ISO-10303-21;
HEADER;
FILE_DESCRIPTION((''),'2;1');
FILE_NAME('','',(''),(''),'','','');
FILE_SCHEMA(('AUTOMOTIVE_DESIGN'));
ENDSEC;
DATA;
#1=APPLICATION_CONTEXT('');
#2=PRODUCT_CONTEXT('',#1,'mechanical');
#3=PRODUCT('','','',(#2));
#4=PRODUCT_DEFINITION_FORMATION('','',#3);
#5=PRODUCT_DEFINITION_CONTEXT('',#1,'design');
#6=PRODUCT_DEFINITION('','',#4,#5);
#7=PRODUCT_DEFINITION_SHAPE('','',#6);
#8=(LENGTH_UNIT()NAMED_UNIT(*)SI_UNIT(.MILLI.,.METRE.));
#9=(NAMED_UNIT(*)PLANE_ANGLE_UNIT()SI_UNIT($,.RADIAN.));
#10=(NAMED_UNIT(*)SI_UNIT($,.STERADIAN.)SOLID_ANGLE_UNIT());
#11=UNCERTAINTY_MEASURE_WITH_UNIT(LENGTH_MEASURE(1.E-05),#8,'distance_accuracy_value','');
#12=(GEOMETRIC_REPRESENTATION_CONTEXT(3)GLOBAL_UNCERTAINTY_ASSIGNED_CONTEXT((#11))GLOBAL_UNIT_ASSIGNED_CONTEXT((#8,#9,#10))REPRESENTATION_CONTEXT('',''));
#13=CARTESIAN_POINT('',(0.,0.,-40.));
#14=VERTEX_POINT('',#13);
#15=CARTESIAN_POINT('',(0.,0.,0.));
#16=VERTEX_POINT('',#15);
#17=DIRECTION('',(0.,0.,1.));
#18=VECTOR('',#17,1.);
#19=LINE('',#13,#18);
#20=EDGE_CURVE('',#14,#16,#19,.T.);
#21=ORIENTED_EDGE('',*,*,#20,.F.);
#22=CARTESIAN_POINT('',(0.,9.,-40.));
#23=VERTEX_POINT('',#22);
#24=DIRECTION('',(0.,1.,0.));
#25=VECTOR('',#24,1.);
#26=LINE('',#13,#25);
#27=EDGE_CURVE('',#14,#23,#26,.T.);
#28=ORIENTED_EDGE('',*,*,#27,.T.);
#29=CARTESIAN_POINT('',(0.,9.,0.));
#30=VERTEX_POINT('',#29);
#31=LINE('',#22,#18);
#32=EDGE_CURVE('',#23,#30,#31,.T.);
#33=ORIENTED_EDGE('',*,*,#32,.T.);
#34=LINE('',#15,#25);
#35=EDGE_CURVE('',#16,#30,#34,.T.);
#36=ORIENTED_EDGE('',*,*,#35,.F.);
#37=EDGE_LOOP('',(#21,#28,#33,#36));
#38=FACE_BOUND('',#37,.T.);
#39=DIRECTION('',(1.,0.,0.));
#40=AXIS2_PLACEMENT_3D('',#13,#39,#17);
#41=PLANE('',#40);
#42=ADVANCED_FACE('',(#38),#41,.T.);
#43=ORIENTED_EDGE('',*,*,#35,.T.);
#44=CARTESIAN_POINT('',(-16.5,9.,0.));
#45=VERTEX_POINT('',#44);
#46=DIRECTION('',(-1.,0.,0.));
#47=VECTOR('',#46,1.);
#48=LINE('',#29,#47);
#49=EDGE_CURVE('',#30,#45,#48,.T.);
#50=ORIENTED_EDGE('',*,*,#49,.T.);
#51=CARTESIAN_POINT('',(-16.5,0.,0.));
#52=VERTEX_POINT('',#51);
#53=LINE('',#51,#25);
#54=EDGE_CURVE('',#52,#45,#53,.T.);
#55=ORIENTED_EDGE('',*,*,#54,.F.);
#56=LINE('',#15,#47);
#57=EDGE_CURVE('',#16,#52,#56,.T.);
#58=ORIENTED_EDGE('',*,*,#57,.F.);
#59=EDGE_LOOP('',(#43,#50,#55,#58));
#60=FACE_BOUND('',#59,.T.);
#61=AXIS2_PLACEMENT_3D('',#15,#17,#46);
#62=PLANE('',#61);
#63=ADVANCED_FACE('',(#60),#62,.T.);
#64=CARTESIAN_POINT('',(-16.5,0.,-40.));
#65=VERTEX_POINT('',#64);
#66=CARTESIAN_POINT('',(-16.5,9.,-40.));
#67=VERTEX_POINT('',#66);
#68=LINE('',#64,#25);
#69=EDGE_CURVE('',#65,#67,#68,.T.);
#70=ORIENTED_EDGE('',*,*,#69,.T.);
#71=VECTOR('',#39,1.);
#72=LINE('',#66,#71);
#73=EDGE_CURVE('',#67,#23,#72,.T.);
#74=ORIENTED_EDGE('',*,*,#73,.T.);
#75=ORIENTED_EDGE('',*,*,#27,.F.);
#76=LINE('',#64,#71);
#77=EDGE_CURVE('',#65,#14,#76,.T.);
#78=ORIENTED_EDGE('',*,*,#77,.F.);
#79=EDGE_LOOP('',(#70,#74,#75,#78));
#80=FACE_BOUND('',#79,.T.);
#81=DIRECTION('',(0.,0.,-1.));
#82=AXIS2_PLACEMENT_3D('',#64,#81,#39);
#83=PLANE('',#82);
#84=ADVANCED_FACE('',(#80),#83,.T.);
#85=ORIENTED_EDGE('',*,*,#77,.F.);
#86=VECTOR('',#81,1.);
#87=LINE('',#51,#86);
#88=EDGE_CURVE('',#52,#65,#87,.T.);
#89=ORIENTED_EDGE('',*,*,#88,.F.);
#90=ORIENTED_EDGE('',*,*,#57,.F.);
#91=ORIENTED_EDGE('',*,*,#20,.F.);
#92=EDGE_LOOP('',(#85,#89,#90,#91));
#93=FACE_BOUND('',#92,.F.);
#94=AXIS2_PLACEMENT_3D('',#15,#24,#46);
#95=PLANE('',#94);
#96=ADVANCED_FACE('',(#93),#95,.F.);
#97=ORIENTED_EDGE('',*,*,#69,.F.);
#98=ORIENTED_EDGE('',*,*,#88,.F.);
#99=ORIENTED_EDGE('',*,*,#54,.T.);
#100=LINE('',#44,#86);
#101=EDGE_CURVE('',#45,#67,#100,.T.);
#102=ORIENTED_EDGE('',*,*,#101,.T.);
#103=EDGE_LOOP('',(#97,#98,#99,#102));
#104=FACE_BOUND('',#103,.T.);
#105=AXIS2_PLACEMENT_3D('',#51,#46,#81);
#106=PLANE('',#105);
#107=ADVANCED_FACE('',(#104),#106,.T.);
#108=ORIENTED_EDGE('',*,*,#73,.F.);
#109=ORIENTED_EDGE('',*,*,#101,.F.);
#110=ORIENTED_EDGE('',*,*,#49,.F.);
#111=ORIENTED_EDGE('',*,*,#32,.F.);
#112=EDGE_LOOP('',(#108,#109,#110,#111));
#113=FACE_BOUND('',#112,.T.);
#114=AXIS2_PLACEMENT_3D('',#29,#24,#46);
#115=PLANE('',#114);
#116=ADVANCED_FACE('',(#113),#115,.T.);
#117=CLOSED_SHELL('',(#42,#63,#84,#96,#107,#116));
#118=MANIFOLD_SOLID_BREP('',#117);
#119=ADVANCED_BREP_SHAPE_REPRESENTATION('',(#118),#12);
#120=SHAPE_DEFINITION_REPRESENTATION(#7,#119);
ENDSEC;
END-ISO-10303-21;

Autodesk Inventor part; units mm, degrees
ref_plane "YZ Plane" through (0, 0, 0) normal (1, 0, 0) x (0, 1, 0)
ref_plane "XZ Plane" through (0, 0, 0) normal (0, 1, 0) x (-1, 0, 0)
ref_plane "XY Plane" through (0, 0, 0) normal (0, 0, 1) x (1, 0, 0)
sketch "Sketch1" plane through (0, 0, 0) normal (0, 1, 0) x (-1, 0, 0)
  line L0 (0, 0) -> (16.5, 0)
  line L1 (16.5, 0) -> (16.5, -40)
  line L2 (16.5, -40) -> (0, -40)
  line L3 (0, -40) -> (0, 0)
  dimension "d0" = 16.5
  dimension "d1" = 40
extrude "Extrusion1" add sketch "Sketch1" along normal blind 9
sketch "Sketch2" plane through (0, 9, 0) normal (0, 1, 0) x (1, 0, 0)
  point P0 (0, 0)
properties part number "Bearing_Holder"
